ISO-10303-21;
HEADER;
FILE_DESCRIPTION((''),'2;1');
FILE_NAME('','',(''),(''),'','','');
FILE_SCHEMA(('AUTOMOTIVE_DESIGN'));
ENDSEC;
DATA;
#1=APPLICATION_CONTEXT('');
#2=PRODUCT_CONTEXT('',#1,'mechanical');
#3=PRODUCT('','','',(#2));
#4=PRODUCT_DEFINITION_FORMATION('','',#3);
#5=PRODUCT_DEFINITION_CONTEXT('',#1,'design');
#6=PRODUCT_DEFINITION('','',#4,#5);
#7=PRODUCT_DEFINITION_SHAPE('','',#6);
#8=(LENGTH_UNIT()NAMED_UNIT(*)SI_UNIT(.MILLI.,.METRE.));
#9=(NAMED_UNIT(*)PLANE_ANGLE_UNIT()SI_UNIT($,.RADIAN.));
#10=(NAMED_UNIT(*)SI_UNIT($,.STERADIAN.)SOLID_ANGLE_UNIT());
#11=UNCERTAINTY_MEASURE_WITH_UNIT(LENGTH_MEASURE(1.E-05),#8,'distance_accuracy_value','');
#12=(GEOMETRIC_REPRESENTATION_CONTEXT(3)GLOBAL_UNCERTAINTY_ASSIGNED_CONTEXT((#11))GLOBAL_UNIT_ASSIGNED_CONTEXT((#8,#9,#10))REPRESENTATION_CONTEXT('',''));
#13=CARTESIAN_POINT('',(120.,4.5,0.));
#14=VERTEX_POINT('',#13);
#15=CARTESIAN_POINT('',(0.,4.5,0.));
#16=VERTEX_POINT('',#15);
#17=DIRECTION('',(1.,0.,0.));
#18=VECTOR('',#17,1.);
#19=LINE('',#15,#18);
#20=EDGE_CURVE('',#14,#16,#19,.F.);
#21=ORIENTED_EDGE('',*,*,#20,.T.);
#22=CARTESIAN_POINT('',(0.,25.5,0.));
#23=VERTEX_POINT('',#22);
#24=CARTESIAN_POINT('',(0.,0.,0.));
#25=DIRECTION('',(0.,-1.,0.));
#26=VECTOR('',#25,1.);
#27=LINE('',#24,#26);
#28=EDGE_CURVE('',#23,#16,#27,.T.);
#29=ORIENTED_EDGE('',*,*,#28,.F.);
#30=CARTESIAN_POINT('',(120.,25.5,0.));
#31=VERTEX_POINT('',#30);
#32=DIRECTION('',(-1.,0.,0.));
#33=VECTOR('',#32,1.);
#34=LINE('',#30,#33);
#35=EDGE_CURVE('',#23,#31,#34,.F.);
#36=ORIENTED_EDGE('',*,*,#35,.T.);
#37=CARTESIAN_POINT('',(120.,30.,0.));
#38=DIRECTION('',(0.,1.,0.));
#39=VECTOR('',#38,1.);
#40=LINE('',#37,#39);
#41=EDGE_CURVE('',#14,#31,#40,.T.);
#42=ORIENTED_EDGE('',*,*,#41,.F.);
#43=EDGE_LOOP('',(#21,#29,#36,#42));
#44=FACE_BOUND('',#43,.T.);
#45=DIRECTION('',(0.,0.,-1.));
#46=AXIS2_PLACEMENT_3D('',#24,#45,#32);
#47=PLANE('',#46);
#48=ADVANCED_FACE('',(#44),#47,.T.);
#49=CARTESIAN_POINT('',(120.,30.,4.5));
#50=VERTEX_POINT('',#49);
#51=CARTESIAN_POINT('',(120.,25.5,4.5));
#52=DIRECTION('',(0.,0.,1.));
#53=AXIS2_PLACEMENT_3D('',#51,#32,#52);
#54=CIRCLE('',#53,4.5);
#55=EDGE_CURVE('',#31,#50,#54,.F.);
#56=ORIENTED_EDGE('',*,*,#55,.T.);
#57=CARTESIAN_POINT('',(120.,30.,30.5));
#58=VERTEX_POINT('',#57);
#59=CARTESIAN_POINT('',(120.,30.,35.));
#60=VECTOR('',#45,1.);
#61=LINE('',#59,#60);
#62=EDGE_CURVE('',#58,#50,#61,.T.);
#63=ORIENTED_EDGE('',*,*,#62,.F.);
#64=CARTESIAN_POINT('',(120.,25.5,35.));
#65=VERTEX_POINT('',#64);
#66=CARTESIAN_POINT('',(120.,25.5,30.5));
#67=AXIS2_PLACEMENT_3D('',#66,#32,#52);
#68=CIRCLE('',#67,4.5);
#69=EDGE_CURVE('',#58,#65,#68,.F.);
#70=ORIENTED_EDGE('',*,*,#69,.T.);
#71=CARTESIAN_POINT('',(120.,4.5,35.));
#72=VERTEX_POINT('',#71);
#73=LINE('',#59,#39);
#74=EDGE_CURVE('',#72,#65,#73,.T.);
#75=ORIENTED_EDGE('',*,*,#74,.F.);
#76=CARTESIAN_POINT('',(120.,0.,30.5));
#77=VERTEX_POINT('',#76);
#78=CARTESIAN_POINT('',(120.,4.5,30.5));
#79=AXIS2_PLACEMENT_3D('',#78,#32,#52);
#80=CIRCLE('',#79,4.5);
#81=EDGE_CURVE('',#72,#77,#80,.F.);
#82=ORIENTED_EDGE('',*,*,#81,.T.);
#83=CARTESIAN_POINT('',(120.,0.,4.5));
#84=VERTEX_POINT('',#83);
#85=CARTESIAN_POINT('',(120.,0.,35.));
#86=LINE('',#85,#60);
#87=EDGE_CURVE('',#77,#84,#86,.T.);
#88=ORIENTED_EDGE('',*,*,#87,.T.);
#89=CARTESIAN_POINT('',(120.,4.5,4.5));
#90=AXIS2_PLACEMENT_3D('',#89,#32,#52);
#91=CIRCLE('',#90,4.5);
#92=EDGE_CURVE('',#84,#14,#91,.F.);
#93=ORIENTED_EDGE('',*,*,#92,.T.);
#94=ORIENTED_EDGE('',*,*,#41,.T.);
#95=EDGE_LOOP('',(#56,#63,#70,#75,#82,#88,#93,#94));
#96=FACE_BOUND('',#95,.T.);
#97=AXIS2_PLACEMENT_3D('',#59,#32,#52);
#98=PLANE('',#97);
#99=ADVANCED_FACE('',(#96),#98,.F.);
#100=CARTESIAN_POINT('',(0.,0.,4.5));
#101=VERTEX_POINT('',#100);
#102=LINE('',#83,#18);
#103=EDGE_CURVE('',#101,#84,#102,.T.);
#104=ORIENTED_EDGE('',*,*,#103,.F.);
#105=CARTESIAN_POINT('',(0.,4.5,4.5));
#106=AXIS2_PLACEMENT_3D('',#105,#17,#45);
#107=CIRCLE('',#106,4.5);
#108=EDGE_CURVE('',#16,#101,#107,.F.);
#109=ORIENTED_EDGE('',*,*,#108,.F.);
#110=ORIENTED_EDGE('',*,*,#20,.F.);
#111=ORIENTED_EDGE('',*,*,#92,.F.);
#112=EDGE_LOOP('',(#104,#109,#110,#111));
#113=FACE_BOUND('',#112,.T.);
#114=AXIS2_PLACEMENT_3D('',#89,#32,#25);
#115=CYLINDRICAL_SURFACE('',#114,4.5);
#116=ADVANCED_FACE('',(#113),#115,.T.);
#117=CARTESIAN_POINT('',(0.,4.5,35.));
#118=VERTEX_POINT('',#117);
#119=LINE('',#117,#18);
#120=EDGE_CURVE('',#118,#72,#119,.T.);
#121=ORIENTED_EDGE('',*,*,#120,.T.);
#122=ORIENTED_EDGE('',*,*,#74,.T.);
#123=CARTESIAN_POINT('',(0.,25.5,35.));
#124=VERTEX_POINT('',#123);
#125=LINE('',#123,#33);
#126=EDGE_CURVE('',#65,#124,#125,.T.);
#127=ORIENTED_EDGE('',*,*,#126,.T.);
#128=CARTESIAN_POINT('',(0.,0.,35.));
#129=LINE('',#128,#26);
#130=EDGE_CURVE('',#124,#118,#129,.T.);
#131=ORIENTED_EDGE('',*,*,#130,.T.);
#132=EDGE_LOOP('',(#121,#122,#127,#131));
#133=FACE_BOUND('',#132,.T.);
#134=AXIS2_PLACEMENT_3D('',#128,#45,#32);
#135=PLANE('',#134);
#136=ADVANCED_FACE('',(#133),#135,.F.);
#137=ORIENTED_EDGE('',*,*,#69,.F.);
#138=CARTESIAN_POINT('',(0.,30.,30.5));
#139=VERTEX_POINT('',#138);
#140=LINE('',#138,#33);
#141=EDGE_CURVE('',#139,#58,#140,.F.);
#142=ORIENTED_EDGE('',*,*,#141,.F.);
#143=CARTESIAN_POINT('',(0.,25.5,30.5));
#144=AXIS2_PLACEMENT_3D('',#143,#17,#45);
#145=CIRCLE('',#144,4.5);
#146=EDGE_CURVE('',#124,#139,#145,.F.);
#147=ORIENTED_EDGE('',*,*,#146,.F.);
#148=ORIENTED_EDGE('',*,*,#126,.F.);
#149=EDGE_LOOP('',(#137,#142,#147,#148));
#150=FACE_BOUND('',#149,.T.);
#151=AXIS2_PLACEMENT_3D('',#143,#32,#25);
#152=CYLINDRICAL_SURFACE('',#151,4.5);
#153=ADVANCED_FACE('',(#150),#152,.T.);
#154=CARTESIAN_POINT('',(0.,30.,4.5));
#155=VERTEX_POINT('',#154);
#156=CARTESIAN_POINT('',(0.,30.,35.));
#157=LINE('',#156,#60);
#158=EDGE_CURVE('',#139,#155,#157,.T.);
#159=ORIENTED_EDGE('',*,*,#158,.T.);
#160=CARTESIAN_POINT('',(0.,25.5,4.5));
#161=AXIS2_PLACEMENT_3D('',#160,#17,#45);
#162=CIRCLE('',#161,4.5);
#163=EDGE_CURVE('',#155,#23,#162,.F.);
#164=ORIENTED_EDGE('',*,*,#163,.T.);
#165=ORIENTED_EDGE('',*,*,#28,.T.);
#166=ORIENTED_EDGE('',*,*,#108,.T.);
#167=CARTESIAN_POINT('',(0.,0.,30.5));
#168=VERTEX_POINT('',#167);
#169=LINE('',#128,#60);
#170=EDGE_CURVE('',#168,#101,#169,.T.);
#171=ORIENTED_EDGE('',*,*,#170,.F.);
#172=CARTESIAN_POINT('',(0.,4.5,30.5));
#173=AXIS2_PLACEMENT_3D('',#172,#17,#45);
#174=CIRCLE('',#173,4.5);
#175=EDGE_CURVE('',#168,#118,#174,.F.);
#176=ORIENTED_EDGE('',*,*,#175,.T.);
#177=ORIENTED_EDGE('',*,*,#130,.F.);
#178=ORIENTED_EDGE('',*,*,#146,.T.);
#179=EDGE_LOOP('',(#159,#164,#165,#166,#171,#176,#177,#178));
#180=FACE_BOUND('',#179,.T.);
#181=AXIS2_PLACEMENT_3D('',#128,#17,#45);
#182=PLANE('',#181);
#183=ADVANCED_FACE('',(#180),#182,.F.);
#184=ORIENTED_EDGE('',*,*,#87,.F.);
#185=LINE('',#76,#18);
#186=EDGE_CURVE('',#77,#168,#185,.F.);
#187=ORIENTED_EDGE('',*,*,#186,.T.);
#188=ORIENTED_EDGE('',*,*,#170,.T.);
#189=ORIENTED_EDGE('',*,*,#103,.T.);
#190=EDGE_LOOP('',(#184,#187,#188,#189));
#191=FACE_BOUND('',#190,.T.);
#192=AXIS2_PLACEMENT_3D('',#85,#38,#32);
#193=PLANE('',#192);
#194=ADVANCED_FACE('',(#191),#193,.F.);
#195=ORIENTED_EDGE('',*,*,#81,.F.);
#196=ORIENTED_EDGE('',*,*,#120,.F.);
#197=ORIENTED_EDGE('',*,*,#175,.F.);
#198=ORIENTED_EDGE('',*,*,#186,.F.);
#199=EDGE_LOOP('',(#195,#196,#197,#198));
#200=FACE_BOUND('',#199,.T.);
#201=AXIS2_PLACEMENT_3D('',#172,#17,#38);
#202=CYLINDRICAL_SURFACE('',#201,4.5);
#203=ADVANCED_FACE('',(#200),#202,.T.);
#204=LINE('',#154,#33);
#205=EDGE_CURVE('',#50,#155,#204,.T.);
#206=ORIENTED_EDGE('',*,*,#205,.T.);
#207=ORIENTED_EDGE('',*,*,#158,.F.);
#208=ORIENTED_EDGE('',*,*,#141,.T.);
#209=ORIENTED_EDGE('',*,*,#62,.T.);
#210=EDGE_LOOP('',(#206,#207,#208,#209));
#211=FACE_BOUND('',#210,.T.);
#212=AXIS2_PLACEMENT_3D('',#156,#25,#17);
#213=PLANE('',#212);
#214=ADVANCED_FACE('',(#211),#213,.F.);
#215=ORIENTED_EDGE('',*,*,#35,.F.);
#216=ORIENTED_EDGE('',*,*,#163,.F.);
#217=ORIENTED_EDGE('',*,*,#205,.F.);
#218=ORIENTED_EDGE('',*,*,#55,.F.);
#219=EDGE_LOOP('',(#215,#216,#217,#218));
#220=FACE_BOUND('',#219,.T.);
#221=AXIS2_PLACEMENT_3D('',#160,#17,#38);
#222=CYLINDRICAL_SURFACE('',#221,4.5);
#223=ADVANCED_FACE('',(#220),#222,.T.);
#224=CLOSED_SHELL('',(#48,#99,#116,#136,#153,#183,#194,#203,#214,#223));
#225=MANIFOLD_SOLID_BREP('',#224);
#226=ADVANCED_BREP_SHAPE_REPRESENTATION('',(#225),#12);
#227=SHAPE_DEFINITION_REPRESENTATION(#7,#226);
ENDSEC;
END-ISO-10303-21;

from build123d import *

# Parameters (mm, degrees)
SKETCH1_W           = 120
SKETCH1_H           = 30
BOSS_EXTRUDE2_DEPTH = 35
FILLET2_R           = 4.5


with BuildPart() as part:
    # Sketch1 → Boss-Extrude2 (new body)
    with BuildSketch(Plane.XY):
        with Locations((60, 15)):
            Rectangle(SKETCH1_W, SKETCH1_H)
    extrude(amount=BOSS_EXTRUDE2_DEPTH)

    # Fillet2
    fillet2_edges = [part.edges().sort_by_distance(p)[0] for p in [
        (60, 30, 35),
        (60, 0, 35),
        (60, 30, 0),
        (60, 0, 0),
    ]]
    fillet(fillet2_edges, radius=FILLET2_R)


solid = part.part
